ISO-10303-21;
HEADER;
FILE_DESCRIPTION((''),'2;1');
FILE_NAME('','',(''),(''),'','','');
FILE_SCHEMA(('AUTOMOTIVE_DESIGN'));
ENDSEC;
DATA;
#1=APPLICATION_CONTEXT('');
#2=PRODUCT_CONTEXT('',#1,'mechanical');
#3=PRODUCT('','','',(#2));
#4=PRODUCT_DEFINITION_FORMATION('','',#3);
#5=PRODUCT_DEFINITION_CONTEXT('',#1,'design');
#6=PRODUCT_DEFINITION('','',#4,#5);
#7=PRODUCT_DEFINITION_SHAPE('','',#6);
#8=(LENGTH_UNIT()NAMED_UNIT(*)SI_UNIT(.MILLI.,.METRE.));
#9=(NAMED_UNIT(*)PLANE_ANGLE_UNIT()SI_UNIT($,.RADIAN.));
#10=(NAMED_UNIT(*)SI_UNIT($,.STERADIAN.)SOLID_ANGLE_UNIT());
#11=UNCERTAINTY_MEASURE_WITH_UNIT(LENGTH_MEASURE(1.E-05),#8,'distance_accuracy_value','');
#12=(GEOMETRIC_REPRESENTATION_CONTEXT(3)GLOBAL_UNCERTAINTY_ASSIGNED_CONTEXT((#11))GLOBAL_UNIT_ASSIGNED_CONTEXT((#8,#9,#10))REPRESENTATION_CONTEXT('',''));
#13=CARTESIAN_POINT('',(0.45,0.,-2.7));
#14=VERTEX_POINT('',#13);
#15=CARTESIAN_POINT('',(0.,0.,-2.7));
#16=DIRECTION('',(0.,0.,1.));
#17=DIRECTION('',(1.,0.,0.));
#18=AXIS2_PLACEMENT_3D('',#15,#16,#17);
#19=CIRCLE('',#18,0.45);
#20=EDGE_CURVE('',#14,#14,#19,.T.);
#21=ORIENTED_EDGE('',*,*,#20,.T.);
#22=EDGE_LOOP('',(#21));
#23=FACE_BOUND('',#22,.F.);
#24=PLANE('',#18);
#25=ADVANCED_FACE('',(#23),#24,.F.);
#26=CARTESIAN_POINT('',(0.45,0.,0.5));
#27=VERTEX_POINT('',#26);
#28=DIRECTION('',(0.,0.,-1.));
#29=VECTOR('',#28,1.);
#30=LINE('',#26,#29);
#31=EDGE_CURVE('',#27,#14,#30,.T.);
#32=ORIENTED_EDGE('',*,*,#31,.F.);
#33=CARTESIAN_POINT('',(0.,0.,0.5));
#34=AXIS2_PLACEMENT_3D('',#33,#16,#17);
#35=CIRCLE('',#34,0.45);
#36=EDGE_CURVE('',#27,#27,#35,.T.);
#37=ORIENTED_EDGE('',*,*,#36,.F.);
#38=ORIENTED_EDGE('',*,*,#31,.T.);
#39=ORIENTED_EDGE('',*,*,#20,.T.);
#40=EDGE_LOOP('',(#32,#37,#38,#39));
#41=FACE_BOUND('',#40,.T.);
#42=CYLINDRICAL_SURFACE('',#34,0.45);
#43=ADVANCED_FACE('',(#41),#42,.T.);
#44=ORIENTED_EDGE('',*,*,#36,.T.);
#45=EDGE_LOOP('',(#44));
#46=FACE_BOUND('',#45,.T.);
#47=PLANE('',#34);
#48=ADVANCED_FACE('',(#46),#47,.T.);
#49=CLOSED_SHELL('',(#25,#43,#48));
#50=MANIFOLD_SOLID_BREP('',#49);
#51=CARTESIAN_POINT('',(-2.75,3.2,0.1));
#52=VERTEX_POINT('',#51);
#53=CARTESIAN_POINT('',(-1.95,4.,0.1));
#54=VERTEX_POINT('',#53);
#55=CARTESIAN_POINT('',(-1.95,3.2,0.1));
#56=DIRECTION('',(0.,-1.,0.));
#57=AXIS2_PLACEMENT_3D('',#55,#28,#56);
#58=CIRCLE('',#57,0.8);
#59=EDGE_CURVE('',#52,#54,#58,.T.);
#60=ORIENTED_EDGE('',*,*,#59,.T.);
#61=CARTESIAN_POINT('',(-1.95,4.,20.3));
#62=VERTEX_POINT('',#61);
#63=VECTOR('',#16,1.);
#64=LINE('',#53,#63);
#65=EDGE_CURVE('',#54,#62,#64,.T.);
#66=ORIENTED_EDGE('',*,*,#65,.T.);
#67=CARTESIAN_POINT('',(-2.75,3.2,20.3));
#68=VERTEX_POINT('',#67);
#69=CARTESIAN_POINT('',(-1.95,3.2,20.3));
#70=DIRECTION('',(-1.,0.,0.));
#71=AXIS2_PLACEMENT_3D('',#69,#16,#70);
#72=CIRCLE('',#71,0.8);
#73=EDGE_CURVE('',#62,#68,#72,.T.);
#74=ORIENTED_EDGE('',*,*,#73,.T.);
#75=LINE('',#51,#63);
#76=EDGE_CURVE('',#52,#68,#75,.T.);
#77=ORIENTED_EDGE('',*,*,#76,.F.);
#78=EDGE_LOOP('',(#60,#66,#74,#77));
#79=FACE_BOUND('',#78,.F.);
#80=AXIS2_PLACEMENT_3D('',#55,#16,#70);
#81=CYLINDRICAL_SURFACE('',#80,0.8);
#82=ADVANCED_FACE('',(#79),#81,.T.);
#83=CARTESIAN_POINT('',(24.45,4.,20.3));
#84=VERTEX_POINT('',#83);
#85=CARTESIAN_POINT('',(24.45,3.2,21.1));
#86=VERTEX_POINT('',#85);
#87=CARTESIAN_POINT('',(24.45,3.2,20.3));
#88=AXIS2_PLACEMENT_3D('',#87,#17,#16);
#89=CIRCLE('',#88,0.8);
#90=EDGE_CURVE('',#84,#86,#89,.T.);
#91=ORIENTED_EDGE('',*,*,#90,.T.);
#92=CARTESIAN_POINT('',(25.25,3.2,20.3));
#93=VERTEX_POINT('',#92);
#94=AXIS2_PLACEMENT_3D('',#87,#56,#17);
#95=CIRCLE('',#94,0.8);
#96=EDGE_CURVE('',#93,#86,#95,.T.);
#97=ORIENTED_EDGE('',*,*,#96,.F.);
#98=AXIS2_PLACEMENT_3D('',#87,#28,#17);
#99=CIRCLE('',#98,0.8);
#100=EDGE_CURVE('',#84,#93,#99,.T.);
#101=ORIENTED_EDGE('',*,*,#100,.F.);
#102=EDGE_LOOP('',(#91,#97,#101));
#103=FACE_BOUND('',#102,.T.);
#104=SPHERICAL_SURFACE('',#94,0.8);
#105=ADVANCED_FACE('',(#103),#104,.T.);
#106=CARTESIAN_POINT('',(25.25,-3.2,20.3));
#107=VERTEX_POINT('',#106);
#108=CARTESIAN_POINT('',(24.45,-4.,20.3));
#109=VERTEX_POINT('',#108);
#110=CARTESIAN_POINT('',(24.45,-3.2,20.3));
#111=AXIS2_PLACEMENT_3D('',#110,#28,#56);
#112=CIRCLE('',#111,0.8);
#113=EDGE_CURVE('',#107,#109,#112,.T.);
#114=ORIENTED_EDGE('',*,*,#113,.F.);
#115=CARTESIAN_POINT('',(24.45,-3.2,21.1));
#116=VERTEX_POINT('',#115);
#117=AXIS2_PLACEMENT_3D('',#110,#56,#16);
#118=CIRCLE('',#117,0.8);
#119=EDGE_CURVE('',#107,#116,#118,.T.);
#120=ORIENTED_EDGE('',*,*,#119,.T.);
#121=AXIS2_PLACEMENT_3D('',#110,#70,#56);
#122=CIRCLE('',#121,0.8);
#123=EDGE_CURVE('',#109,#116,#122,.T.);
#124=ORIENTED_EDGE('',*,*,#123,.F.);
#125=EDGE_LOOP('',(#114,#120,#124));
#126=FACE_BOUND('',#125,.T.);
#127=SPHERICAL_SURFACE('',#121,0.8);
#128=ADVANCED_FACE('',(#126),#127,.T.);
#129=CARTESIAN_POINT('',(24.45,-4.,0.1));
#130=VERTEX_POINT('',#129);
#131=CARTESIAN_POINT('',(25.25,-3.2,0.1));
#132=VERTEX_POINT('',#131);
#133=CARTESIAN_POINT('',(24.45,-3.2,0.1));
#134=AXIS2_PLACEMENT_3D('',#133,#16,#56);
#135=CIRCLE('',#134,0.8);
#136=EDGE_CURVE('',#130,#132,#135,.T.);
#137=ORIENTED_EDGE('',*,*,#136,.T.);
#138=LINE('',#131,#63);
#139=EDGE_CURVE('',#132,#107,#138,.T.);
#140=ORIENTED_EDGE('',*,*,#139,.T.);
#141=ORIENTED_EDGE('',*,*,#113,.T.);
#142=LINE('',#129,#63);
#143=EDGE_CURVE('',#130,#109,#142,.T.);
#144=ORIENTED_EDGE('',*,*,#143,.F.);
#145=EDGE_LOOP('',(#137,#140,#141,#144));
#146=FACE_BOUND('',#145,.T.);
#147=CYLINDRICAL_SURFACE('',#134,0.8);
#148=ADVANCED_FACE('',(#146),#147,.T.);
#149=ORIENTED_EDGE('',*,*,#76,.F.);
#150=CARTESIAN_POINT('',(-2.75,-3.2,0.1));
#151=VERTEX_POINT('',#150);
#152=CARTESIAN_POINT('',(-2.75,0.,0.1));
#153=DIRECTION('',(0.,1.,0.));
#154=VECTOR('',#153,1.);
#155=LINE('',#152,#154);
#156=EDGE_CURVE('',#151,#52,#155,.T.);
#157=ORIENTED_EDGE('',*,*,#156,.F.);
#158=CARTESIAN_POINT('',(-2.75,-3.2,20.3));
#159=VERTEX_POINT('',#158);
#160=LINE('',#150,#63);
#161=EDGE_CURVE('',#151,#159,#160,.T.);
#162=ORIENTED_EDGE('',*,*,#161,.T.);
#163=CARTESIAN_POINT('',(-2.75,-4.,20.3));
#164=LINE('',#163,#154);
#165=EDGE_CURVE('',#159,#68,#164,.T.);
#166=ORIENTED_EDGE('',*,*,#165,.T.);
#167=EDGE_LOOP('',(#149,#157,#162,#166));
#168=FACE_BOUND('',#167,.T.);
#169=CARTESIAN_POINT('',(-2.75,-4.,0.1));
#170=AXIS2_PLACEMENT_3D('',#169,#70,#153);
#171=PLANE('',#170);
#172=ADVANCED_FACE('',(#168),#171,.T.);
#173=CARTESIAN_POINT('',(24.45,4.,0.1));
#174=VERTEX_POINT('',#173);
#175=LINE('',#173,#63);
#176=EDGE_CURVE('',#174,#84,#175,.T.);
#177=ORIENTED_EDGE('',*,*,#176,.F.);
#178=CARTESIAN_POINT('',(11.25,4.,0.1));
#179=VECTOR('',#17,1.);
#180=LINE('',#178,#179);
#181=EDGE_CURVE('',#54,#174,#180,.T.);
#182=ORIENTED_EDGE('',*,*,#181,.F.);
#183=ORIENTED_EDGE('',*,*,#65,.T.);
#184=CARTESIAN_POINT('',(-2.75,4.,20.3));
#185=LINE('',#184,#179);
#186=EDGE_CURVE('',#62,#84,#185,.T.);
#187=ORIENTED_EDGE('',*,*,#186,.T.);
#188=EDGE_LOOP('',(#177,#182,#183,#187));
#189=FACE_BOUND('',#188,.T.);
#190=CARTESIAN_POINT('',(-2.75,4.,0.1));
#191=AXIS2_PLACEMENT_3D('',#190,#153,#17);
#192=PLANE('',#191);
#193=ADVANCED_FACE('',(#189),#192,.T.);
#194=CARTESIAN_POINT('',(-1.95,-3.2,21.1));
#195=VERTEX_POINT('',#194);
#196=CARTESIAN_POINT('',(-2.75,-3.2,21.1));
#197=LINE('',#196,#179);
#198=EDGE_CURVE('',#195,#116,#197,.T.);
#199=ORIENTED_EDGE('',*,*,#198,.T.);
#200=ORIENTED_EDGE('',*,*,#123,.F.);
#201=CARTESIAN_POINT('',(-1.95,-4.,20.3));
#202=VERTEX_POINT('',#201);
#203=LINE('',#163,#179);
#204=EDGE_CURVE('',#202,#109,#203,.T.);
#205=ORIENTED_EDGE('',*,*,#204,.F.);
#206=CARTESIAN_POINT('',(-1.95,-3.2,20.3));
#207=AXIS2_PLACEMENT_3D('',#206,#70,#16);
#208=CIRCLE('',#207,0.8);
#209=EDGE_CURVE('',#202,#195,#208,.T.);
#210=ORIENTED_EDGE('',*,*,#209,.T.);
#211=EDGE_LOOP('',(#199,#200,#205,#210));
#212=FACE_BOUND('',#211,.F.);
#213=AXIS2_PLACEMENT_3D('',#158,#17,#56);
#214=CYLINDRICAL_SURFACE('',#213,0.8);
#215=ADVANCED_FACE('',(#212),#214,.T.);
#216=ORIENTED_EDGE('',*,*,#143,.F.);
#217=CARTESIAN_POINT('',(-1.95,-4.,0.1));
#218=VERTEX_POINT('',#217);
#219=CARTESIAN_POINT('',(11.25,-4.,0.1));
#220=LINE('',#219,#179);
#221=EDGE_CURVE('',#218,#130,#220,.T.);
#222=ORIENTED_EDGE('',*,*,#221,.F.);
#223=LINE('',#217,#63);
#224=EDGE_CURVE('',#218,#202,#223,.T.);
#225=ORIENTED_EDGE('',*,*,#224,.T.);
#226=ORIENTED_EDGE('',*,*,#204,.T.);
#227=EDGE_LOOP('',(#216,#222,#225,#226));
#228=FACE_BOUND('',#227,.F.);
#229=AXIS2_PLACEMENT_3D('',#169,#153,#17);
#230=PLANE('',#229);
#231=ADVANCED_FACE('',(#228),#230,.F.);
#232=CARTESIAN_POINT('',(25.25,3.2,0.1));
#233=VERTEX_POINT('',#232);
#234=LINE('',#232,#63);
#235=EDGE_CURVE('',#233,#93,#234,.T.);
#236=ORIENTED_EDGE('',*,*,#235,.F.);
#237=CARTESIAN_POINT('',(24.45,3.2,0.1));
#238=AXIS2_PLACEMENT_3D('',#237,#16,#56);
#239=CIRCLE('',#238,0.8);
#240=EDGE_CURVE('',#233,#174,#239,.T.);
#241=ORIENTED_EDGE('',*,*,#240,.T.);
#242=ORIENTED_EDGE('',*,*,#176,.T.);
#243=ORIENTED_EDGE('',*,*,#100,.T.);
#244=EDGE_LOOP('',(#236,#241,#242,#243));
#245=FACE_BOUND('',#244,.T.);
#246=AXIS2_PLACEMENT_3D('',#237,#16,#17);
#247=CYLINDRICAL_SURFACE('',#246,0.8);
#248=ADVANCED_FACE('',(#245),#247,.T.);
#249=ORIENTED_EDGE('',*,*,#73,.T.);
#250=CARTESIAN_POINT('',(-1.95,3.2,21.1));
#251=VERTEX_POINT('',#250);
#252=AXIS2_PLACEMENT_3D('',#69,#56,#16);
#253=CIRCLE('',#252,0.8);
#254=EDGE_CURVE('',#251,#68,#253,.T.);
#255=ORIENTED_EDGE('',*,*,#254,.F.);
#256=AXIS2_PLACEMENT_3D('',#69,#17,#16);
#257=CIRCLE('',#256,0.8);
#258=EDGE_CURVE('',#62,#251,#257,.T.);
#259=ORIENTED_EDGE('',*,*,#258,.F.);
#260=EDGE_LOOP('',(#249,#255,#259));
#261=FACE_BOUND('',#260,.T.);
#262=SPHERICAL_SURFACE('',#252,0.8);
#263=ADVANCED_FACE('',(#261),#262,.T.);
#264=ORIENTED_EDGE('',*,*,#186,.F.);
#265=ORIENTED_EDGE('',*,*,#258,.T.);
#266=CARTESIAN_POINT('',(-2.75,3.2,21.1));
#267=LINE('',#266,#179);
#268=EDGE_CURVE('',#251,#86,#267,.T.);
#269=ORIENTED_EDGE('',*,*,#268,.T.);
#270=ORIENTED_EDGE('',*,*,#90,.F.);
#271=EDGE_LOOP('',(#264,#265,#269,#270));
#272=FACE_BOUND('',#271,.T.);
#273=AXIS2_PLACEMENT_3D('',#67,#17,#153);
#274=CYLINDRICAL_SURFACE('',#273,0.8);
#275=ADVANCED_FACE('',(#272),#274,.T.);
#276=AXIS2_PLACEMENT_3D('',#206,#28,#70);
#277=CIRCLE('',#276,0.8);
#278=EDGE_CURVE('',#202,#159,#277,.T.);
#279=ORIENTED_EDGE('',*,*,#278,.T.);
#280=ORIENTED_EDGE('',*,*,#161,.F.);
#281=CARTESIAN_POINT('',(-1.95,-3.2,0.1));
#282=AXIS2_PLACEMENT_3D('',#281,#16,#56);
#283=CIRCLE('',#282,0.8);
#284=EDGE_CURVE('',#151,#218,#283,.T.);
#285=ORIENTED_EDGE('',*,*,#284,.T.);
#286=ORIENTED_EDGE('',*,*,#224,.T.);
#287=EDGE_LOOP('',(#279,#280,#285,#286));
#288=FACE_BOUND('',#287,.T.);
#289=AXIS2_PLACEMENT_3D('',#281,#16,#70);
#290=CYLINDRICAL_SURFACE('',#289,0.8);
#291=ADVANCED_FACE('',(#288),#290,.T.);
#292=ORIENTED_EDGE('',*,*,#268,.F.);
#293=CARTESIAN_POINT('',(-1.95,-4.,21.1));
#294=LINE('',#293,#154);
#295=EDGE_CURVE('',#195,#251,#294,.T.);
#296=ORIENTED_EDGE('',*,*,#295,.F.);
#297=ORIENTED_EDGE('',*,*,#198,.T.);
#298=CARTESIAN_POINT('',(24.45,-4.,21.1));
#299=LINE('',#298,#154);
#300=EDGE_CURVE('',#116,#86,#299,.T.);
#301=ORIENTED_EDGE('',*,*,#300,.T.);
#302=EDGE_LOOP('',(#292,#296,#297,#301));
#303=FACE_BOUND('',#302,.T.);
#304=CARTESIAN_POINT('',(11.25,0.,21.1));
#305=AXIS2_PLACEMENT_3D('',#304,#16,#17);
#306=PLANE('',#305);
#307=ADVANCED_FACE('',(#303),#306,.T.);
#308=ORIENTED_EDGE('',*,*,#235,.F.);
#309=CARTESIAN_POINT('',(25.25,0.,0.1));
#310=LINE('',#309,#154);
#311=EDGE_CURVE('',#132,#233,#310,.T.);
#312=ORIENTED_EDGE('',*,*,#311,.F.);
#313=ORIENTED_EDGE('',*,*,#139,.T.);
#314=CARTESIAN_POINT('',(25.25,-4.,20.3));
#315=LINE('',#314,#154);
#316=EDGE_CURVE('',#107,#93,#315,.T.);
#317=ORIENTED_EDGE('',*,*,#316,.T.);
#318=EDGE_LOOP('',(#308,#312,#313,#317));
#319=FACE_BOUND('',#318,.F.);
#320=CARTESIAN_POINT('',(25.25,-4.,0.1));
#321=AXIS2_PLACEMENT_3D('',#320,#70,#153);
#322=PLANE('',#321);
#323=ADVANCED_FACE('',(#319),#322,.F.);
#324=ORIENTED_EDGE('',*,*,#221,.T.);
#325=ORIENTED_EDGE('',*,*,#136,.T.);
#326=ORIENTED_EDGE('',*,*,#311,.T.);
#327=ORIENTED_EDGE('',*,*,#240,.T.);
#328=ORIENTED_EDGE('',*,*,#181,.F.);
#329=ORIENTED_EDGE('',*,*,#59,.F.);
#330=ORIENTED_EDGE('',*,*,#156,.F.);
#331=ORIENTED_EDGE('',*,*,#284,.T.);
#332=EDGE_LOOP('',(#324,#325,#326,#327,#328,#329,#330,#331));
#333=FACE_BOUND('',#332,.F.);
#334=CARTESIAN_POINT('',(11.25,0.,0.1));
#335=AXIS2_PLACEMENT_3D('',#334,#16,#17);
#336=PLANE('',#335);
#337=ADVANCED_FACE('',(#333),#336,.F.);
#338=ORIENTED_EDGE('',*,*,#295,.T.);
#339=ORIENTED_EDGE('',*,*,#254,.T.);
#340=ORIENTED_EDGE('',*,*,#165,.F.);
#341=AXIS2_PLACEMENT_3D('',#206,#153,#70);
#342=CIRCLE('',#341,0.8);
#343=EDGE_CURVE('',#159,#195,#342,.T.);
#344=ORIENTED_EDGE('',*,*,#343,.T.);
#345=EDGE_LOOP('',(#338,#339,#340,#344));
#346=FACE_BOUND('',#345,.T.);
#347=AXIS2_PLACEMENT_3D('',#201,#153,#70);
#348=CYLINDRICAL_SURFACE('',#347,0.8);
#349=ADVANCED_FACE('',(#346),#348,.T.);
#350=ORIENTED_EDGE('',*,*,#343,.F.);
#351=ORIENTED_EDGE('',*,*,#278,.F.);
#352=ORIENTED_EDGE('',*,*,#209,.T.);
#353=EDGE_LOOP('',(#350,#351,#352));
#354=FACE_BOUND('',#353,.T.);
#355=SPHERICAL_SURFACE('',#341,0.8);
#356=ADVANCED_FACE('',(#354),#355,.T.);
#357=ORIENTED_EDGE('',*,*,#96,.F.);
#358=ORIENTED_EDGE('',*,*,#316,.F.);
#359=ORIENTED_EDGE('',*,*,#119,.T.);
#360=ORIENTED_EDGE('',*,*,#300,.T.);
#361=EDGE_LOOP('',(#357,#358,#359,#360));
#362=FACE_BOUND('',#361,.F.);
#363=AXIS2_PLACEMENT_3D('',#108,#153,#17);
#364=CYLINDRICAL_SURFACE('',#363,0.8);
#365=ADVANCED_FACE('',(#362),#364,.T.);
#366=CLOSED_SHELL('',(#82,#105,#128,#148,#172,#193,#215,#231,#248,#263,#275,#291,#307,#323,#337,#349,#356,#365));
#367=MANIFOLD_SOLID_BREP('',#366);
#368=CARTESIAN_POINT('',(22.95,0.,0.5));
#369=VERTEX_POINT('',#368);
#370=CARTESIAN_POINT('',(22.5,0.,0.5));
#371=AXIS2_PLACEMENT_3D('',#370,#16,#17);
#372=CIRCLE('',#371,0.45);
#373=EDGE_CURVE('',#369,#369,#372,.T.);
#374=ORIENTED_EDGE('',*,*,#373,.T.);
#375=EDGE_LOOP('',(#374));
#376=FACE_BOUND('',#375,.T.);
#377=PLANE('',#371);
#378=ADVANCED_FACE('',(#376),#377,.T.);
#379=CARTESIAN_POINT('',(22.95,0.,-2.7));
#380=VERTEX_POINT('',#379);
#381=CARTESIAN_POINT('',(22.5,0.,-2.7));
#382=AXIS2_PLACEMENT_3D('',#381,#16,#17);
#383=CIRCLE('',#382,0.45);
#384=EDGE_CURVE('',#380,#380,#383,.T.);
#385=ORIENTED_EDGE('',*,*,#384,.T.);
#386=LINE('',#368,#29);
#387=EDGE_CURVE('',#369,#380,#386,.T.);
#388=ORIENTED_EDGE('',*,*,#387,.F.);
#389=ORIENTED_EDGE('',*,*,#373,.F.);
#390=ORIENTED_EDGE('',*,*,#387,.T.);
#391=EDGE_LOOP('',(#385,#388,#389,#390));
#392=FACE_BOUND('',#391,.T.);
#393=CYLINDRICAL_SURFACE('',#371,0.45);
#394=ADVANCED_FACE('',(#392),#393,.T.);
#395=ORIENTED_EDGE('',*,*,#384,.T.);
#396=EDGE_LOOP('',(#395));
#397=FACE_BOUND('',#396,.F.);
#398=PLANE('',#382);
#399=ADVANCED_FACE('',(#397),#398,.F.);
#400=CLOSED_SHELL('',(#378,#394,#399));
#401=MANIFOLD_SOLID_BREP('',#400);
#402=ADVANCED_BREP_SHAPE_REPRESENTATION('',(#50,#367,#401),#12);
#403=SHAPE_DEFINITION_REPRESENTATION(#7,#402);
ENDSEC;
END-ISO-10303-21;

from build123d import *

# Parameters (mm, degrees)
SKETCH_W     = 28
SKETCH_H     = 8
PAD_DEPTH    = 21
FILLET_R     = 0.8
SKETCH001_R  = 0.45
PAD001_DEPTH = 3.2


with BuildPart() as fillet_body:
    # Sketch → Pad (new body)
    with BuildSketch(Plane.XY.offset(0.1)):
        with Locations((11.25, 0)):
            Rectangle(SKETCH_W, SKETCH_H)
    extrude(amount=PAD_DEPTH)

    # Fillet
    fillet_edges = [fillet_body.edges().sort_by_distance(p)[0] for p in [
        (-2.75, 0, 21.1),
        (-2.75, -4, 10.6),
        (11.25, -4, 21.1),
        (25.25, -4, 10.6),
        (25.25, 0, 21.1),
        (25.25, 4, 10.6),
        (11.25, 4, 21.1),
        (-2.75, 4, 10.6),
    ]]
    fillet(fillet_edges, radius=FILLET_R)


with BuildPart() as pad001:
    # Sketch001 → Pad001 (new body)
    with BuildSketch(Plane.XY.offset(0.5)):
        Circle(SKETCH001_R)
        with Locations((22.5, 0)):
            Circle(SKETCH001_R)
    extrude(amount=-PAD001_DEPTH)


solid = Compound([fillet_body.part, pad001.part])
